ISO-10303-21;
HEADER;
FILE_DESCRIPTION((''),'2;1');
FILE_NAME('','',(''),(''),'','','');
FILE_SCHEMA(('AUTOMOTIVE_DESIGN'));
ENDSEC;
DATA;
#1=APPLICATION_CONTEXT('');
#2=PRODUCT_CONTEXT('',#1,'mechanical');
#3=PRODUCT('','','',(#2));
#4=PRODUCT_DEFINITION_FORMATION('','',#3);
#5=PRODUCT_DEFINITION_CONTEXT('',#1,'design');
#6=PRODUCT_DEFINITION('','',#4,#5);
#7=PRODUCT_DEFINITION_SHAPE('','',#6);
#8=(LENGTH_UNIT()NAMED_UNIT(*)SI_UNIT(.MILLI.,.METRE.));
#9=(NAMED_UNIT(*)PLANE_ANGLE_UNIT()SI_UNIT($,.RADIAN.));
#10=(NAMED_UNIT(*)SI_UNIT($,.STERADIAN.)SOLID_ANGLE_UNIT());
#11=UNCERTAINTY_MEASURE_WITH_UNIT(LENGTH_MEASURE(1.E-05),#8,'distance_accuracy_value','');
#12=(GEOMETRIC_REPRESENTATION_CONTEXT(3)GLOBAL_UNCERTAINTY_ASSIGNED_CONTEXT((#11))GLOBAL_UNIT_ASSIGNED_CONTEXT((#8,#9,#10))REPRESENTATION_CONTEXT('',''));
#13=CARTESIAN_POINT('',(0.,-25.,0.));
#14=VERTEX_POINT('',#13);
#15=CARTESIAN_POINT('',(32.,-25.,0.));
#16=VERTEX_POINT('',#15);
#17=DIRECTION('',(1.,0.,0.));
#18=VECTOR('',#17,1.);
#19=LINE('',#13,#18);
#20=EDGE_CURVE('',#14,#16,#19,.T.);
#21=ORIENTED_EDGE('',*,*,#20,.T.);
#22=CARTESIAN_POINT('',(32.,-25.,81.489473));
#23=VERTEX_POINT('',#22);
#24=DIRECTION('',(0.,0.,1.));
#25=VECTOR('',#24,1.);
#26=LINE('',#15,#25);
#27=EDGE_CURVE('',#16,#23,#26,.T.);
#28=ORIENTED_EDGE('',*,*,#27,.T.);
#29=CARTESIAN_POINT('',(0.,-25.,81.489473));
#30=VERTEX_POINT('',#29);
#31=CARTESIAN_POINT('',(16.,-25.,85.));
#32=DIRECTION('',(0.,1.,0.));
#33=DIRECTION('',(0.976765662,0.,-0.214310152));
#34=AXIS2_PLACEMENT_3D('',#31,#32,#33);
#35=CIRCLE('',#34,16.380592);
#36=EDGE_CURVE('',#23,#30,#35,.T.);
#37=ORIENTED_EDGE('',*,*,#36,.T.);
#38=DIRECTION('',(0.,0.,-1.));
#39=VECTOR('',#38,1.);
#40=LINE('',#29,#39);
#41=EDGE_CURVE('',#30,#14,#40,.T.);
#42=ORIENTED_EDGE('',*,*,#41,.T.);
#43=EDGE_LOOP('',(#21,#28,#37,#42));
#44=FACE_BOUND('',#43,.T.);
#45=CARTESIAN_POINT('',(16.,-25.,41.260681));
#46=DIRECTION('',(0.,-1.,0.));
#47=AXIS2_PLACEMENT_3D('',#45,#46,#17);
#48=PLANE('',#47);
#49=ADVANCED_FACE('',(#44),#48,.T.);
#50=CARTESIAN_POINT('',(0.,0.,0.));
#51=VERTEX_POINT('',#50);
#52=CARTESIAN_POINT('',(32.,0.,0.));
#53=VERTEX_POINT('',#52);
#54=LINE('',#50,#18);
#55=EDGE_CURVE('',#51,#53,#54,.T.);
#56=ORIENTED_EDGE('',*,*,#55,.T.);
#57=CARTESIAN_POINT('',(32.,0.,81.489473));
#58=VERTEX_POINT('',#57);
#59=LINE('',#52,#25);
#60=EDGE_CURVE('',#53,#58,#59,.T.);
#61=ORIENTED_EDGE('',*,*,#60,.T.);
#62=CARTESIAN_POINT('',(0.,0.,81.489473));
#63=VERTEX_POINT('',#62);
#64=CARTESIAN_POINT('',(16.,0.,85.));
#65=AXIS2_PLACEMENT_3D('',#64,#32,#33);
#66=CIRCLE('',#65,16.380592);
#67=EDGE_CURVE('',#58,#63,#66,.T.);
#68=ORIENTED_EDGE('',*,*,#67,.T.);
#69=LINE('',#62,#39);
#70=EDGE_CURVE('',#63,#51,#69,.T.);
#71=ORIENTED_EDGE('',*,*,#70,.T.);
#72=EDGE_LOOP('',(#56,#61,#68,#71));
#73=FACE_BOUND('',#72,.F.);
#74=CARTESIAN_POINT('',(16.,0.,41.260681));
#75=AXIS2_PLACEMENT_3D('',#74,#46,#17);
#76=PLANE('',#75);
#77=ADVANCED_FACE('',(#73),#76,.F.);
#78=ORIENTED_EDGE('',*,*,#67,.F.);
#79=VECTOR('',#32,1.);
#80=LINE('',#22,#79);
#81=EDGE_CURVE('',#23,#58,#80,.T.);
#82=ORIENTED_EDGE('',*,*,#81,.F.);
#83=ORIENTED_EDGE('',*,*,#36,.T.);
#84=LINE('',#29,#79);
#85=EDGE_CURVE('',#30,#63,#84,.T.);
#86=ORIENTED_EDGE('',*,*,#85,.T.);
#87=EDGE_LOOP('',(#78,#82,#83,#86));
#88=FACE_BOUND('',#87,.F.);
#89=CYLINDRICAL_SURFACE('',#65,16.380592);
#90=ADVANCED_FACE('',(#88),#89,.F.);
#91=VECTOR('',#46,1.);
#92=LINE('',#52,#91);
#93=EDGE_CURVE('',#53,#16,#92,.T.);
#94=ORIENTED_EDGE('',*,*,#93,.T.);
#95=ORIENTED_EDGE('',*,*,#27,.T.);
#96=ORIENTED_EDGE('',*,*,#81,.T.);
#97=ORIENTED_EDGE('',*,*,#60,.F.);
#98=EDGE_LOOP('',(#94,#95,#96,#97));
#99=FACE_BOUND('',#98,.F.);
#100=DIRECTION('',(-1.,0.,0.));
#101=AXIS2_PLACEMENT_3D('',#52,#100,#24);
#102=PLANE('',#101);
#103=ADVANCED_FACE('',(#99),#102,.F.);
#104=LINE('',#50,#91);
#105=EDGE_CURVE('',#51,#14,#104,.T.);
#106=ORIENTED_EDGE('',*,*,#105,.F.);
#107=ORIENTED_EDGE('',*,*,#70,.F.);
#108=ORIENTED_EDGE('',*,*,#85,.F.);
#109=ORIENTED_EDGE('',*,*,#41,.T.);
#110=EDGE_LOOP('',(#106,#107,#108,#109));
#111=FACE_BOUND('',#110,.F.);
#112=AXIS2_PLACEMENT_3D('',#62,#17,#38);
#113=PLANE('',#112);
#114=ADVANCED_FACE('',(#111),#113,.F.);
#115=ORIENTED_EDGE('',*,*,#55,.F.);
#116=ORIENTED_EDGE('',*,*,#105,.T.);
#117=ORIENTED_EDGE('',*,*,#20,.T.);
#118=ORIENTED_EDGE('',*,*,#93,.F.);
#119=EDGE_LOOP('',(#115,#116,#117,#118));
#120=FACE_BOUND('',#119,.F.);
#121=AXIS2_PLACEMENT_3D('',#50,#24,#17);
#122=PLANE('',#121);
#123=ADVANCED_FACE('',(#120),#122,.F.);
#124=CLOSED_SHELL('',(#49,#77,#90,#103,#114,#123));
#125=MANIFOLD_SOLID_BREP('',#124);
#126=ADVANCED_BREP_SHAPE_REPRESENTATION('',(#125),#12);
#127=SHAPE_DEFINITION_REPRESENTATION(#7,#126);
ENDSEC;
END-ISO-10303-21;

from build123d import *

# Parameters (mm, degrees)
F1_DEPTH = 25
F2_DEPTH = 5


with BuildPart() as f1:
    # F0 (on Front) → F1 (new body)
    with BuildSketch(Plane.XZ):
        with BuildLine():
            Line((0, 81.489473), (0, 0))
            Line((0, 0), (32, 0))
            Line((32, 0), (32, 81.489473))
            ThreePointArc((32, 81.489473), (16, 68.619408), (0, 81.489473))
        make_face()
    extrude(amount=F1_DEPTH)

    # F0 (on Front) → F2 (join)
    with BuildSketch(Plane.XZ):
        with BuildLine():
            Line((0, 81.489473), (0, 0))
            Line((0, 0), (32, 0))
            Line((32, 0), (32, 81.489473))
            ThreePointArc((32, 81.489473), (16, 68.619408), (0, 81.489473))
        make_face()
    extrude(amount=F2_DEPTH)


solid = f1.part
